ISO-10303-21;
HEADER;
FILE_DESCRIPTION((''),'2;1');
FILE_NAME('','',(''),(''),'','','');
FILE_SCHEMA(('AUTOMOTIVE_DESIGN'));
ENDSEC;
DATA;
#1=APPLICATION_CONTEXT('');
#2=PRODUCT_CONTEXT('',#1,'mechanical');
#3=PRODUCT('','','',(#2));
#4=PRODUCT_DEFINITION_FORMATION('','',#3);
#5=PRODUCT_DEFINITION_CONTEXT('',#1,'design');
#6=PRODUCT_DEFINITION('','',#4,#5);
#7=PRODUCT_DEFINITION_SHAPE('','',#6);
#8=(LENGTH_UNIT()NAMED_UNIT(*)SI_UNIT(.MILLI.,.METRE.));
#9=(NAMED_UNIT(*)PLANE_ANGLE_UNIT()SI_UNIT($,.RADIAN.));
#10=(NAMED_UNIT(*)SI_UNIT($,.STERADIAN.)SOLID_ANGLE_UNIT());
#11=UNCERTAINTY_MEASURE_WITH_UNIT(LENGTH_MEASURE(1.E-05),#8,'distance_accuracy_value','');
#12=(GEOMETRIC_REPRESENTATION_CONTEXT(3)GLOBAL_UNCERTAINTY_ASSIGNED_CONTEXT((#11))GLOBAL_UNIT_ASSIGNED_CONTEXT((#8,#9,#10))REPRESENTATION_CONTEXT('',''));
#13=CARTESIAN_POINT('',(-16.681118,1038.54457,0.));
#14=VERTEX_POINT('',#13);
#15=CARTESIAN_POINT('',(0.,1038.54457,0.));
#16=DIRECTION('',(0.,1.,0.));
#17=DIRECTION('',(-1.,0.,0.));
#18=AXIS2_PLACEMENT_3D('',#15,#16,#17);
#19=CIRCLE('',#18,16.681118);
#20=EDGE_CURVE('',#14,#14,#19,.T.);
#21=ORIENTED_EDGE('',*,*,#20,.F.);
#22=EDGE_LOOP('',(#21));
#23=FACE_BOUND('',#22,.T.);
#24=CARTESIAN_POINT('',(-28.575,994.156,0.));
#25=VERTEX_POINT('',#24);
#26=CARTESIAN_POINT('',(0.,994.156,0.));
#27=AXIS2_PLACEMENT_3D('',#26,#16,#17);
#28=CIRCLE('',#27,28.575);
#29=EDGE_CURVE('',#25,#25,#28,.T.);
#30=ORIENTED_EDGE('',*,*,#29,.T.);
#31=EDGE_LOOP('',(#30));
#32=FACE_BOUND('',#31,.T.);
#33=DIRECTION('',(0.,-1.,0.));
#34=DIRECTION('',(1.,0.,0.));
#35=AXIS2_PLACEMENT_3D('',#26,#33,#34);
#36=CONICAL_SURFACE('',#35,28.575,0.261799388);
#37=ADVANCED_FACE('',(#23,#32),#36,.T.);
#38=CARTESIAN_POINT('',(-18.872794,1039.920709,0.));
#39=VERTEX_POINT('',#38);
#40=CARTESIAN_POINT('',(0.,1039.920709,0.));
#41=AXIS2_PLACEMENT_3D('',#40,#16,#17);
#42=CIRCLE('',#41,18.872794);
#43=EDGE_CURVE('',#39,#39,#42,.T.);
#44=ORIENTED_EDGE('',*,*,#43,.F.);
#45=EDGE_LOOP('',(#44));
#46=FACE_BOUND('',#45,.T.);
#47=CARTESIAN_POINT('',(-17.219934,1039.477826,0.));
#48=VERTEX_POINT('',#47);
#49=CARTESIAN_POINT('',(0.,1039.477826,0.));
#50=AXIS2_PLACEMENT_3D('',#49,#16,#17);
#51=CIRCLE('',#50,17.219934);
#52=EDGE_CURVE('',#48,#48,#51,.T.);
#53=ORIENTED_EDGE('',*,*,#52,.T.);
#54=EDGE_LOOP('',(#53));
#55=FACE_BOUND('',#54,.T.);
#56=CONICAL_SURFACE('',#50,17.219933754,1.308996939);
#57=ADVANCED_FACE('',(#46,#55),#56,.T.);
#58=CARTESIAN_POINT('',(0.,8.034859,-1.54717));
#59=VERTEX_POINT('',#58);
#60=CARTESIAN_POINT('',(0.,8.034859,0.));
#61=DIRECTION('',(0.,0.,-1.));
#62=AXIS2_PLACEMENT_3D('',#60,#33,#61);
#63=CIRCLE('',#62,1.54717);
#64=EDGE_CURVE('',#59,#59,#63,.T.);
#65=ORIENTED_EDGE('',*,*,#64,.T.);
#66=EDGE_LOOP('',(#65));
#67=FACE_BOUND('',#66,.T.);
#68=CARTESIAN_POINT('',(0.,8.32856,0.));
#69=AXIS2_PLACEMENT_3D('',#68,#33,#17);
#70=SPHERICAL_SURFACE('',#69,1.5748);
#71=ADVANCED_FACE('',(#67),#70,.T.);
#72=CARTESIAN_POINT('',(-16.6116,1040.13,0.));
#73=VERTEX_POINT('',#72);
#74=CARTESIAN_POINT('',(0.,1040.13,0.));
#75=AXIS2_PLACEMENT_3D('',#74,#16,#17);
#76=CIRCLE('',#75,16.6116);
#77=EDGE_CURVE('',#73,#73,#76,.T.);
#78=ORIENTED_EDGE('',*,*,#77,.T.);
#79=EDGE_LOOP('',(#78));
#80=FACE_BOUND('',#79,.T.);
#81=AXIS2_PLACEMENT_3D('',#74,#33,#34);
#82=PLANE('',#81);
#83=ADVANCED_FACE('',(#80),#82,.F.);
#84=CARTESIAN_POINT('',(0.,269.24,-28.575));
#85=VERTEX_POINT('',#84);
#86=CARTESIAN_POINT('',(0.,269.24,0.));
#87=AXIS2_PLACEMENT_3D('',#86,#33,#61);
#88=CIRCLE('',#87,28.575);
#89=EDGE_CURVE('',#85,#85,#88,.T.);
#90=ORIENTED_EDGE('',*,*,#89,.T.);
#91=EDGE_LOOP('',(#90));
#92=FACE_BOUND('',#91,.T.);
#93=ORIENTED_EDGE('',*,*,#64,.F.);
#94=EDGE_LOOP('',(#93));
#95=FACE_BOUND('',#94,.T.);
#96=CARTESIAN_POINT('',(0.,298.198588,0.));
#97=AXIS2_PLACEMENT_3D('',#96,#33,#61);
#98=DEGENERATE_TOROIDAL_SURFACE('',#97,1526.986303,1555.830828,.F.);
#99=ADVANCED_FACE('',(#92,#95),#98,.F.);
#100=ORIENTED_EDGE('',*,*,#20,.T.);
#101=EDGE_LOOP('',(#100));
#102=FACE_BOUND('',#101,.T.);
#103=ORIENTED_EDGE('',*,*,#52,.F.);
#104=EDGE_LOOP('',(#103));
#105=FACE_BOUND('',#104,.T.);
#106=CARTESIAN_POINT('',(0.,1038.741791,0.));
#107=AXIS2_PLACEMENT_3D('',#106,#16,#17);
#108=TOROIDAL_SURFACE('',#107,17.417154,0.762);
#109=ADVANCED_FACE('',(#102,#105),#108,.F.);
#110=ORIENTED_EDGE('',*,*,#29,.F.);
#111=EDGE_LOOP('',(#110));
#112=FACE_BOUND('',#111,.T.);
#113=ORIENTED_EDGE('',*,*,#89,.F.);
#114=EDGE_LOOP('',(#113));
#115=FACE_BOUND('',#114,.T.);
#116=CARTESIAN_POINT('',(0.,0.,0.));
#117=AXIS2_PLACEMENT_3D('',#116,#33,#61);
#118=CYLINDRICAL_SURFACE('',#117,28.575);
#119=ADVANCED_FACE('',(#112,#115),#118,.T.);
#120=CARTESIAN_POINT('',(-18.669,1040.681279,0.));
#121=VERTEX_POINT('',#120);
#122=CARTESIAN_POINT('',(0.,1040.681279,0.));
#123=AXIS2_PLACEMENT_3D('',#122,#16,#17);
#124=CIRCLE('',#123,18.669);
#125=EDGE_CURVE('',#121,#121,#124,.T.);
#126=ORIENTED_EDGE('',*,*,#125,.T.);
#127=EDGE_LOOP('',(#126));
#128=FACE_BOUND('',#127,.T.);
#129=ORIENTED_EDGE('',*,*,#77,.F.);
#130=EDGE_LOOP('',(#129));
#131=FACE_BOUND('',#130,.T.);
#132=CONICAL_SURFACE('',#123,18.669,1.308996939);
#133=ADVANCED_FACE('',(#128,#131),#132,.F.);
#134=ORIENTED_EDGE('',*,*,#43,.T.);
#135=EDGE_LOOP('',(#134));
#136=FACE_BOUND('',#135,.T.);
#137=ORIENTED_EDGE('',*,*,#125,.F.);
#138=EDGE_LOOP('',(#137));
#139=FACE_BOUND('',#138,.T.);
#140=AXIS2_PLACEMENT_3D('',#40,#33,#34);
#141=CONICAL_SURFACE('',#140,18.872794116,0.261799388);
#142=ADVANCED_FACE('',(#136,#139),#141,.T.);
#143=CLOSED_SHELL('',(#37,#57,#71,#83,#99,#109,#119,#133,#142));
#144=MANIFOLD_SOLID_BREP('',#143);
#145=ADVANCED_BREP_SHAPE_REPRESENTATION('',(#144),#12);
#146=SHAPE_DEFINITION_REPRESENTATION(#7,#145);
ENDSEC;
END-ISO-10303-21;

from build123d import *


with BuildPart() as part:
    # Sketch2 → Revolve1 (revolve)
    with BuildSketch(Plane.XY):
        with BuildLine():
            Line((0, 947.42), (0, 6.753760064))
            ThreePointArc((0, 6.753760064), (1.004358981, 7.115605787), (1.547169826, 8.034858568))
            ThreePointArc((1.547169826, 8.034858568), (20.581846727, 138.066176315), (28.575, 269.24))
            Line((28.575, 269.24), (28.575, 947.42))
            Line((28.575, 947.42), (0, 947.42))
        make_face()
    revolve(axis=Axis((0, 0, 0), (0, 1, 0)))

    # Sketch3 → Revolve2 (revolve)
    with BuildSketch(Plane.XY):
        with BuildLine():
            Line((-28.575, 994.156), (-28.575, 947.42))
            Line((-28.575, 947.42), (0, 947.42))
            Line((0, 947.42), (0, 1040.13))
            Line((0, 1040.13), (-16.6116, 1040.13))
            Line((-16.6116, 1040.13), (-18.669, 1040.681278669))
            Line((-18.669, 1040.681278669), (-18.872794116, 1039.920708673))
            Line((-18.872794116, 1039.920708673), (-17.219933754, 1039.477826074))
            ThreePointArc((-17.219933754, 1039.477826074), (-16.757242508, 1039.122790594), (-16.681118386, 1038.544570482))
            Line((-16.681118386, 1038.544570482), (-28.575, 994.156))
        make_face()
    revolve(axis=Axis((0, 1040.13, 0), (0, -1, 0)))


solid = part.part
